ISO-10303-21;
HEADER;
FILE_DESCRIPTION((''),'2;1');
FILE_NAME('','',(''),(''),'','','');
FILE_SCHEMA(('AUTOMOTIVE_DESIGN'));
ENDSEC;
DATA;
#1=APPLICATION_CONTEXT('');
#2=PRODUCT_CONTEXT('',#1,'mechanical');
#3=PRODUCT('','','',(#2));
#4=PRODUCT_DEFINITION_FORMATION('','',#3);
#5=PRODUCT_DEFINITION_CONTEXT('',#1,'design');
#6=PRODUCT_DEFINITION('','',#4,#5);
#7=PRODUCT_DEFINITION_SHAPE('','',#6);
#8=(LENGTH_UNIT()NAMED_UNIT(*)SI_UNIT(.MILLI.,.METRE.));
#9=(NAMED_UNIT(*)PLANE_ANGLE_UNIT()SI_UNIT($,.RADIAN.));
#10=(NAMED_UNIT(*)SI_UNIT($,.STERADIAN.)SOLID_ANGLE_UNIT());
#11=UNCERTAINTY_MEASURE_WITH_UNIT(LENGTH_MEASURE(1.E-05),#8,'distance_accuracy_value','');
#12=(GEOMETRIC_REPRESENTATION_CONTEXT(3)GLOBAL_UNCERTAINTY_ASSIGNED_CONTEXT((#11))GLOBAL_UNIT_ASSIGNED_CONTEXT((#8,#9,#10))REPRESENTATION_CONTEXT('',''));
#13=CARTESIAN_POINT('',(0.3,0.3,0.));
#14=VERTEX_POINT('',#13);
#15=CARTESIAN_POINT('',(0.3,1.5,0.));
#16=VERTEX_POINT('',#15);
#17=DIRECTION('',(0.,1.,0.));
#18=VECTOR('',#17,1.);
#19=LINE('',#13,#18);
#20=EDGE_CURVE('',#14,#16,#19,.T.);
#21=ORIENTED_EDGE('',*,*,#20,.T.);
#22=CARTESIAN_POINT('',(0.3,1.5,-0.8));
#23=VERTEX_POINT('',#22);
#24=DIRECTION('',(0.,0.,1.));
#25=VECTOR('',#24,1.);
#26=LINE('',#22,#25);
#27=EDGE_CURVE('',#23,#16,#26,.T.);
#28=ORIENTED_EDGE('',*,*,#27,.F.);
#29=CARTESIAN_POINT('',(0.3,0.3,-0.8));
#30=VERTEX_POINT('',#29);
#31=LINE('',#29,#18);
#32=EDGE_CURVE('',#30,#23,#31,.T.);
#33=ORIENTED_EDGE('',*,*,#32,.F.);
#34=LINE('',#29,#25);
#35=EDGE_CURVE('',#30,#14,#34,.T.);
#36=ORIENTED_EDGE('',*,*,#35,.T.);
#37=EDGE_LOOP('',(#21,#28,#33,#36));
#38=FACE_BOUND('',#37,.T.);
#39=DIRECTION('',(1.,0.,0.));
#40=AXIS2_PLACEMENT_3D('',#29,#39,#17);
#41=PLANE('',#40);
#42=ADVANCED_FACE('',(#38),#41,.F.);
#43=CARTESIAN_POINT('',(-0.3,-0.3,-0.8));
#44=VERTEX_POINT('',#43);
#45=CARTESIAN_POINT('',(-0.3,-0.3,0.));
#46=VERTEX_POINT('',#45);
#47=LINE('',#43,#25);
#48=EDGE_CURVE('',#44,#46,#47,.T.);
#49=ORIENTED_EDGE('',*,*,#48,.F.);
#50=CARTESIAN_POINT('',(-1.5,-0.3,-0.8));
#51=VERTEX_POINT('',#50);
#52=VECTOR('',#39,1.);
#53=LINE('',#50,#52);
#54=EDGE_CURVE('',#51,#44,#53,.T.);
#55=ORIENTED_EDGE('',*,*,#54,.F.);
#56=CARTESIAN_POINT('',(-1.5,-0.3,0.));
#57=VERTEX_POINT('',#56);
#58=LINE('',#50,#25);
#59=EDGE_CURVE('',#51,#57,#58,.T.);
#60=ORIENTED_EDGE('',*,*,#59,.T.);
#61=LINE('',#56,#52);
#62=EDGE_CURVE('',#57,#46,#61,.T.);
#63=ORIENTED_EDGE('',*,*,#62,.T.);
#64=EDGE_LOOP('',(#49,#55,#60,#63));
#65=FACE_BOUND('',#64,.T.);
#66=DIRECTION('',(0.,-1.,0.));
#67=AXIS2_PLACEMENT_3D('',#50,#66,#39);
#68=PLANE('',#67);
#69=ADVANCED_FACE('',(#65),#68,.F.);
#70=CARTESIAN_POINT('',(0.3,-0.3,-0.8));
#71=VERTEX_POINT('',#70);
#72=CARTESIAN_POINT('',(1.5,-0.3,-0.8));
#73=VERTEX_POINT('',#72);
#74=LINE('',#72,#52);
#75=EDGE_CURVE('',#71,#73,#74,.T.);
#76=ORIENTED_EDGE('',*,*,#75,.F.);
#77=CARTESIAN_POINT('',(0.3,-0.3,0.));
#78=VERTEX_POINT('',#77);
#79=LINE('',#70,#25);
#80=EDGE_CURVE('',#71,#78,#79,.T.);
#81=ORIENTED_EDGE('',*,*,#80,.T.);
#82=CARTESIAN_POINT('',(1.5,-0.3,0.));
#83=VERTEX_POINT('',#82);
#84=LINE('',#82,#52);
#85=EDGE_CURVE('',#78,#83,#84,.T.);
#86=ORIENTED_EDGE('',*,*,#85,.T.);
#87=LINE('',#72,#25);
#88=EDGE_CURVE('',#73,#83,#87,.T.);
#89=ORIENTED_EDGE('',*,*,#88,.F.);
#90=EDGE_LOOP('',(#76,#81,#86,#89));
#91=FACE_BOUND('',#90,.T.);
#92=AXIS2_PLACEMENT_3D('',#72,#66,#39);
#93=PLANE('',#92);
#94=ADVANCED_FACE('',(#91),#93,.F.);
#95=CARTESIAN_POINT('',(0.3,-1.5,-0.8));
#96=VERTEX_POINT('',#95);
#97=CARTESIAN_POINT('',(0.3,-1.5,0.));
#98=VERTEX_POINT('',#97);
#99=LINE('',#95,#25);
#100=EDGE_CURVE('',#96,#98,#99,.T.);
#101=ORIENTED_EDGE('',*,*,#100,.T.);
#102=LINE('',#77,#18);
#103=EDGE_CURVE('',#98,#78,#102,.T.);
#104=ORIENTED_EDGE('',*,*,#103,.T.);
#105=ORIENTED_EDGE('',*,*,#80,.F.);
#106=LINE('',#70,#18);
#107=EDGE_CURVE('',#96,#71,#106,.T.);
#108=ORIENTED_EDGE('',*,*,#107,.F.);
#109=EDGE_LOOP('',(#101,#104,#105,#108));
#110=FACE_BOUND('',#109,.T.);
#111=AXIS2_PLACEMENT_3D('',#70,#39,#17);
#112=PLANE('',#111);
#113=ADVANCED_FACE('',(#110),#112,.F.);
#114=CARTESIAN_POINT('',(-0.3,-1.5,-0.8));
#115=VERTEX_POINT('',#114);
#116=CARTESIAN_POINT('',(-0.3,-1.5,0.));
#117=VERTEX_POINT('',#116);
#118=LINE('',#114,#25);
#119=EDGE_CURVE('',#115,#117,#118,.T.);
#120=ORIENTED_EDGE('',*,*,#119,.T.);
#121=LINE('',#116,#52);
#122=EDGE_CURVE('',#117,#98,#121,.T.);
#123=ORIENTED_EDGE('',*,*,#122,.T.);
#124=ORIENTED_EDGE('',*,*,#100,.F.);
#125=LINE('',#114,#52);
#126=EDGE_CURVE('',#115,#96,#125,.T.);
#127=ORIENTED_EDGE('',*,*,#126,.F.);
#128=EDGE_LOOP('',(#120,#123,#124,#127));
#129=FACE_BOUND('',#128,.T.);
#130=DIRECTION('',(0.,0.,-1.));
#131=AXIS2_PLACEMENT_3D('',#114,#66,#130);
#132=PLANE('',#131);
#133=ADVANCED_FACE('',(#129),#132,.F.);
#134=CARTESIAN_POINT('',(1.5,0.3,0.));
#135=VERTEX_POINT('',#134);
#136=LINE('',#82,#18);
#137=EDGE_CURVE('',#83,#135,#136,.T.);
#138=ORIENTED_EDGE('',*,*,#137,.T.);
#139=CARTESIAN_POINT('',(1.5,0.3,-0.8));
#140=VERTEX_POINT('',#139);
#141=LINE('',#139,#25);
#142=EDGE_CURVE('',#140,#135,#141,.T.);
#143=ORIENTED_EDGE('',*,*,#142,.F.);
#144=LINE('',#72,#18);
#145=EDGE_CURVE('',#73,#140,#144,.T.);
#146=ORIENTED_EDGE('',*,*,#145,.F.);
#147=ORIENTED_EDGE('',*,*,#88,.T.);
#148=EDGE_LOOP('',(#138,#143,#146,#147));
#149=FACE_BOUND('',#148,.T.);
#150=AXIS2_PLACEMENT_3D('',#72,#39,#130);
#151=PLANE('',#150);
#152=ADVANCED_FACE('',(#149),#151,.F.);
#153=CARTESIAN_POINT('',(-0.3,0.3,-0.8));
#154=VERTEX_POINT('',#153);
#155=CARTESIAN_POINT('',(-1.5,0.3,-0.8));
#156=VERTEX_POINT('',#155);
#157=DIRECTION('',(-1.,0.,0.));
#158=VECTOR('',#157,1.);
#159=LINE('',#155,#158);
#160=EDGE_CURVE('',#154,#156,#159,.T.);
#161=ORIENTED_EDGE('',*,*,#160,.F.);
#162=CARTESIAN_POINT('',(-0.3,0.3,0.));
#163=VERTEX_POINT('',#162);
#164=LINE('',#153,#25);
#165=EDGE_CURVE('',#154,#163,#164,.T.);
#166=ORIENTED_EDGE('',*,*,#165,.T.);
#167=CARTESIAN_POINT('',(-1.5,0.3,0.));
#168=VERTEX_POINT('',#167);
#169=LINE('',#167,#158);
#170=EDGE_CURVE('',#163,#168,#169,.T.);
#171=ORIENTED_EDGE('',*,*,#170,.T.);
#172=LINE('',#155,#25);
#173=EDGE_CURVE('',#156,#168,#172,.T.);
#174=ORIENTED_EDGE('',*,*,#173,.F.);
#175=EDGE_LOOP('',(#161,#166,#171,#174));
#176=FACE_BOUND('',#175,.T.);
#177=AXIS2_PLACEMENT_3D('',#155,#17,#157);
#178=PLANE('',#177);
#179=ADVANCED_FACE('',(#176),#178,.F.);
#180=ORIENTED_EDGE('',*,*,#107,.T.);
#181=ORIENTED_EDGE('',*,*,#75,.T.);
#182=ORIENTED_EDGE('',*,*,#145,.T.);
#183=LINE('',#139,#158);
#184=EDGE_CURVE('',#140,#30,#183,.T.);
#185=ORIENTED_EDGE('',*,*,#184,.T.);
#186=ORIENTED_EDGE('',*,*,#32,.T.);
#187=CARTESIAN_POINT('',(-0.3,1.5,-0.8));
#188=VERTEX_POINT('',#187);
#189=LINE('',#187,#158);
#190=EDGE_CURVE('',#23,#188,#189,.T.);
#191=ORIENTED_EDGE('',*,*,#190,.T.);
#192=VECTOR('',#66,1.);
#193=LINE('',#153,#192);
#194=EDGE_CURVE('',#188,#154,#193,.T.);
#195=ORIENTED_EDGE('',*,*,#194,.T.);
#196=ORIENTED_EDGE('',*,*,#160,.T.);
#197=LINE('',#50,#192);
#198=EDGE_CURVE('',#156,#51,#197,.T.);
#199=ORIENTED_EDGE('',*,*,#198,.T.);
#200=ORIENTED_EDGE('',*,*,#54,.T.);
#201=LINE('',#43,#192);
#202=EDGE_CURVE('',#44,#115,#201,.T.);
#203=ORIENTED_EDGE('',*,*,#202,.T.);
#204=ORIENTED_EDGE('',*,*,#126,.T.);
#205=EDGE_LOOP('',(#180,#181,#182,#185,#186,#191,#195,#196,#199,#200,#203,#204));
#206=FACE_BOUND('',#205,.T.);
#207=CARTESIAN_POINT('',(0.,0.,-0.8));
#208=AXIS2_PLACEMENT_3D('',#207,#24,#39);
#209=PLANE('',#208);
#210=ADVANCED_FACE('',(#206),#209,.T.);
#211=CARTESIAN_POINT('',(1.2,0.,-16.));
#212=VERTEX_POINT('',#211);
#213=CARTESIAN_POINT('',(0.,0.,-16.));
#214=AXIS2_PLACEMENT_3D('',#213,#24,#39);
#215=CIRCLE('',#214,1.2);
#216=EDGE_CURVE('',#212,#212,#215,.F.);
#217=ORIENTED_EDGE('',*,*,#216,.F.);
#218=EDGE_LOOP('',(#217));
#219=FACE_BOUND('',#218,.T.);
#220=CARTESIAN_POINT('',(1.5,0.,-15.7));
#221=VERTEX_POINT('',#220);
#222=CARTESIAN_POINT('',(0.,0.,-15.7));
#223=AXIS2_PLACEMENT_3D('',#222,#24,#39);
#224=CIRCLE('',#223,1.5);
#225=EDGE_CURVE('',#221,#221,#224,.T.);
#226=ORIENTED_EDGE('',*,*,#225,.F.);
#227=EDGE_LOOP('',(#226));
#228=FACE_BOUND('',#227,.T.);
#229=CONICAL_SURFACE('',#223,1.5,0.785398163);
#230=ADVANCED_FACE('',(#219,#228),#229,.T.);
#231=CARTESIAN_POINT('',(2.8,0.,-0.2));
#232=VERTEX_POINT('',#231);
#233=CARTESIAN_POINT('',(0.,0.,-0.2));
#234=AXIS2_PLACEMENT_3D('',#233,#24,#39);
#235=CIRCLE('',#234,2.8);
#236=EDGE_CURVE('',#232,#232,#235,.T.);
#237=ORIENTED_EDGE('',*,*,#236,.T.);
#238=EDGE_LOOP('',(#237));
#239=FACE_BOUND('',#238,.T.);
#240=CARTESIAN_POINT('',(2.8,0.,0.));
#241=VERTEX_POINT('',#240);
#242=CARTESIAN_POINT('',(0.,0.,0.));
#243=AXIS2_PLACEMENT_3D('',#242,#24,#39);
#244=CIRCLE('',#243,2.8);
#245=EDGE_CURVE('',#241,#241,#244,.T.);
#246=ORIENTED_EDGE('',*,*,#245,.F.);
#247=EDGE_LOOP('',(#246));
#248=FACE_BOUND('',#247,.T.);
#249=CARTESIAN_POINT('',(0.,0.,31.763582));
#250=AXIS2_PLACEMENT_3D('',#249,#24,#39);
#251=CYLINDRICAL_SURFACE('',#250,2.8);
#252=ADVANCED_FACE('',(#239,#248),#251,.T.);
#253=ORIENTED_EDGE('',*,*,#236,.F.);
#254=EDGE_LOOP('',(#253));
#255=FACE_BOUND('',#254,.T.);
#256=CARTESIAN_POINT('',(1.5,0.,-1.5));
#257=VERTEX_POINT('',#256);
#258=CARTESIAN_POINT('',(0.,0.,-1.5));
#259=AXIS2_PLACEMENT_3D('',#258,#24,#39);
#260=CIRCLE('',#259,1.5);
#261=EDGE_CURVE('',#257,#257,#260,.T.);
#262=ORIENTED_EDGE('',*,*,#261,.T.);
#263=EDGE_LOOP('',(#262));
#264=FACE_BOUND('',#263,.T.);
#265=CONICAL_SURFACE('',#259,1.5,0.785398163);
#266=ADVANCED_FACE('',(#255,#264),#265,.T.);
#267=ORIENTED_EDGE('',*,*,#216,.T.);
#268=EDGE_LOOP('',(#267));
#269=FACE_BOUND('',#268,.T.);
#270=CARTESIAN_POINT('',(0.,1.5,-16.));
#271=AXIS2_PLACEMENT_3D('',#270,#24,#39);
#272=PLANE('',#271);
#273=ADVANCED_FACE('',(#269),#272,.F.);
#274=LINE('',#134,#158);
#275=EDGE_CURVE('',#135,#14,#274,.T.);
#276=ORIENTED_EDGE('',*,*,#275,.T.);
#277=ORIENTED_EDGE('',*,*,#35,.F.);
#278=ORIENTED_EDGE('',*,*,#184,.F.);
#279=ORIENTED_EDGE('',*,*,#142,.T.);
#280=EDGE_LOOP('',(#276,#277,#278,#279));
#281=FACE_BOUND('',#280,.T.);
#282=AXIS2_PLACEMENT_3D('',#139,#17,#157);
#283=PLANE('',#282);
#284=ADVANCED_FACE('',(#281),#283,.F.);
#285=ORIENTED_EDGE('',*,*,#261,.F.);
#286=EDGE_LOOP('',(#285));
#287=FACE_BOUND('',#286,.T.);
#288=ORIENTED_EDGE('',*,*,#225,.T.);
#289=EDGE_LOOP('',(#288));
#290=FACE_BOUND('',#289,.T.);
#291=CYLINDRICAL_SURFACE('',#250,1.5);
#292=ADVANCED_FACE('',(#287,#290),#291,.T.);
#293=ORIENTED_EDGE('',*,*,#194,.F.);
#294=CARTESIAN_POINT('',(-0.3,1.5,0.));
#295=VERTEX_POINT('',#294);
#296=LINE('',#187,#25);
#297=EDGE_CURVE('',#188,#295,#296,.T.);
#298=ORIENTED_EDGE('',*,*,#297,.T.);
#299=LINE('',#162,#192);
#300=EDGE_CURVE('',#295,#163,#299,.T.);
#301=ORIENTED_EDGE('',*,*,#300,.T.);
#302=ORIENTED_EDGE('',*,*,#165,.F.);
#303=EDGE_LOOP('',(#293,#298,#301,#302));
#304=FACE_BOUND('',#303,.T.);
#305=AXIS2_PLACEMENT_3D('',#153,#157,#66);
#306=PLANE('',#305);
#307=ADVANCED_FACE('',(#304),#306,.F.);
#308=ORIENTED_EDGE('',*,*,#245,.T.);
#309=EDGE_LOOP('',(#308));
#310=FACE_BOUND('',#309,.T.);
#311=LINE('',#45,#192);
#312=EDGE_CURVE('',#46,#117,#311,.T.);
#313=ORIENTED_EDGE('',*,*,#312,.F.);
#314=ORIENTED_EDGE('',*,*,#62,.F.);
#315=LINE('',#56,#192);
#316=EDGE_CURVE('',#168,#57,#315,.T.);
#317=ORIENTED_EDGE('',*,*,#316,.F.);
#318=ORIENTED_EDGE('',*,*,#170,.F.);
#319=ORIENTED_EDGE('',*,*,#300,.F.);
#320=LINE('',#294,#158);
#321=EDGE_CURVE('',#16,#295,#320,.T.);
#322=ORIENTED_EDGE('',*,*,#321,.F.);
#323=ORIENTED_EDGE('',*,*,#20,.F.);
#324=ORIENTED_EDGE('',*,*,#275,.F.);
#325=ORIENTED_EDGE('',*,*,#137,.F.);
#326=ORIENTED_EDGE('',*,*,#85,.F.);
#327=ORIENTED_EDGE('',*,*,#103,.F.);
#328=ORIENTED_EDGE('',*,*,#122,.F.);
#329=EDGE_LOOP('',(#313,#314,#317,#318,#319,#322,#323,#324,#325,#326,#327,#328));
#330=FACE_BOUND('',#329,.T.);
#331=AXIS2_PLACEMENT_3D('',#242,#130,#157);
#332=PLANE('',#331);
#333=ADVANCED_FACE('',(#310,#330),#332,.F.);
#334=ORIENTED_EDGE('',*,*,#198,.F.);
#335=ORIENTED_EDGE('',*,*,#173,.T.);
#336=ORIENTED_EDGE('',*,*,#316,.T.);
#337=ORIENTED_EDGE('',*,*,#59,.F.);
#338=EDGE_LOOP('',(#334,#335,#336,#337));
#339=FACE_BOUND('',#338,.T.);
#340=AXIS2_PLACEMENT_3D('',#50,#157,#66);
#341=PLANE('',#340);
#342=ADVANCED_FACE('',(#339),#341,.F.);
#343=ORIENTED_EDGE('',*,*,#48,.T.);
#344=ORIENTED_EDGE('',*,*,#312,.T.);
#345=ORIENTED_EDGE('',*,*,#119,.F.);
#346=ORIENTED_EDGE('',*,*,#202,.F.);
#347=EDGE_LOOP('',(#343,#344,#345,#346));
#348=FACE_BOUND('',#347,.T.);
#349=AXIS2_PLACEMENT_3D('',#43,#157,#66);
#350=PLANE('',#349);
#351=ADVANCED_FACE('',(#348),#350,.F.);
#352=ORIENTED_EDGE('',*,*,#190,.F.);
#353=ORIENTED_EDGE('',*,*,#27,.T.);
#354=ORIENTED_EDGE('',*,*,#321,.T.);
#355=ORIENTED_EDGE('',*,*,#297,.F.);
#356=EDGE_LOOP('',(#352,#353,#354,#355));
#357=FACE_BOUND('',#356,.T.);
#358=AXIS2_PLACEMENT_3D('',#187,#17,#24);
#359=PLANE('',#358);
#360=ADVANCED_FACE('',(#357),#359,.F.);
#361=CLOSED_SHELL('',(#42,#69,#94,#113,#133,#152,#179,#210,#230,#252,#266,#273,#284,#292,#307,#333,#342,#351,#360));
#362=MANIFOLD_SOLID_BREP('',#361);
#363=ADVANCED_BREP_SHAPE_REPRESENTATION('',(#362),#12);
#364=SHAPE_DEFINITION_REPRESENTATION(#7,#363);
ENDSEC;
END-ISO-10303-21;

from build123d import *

# Parameters (mm, degrees)
SCHNITT_LINEAR_AUSTRAGEN1_DEPTH = 0.8
FASE1_SIZE                      = 0.3


with BuildPart() as part:
    # Skizze1 → Rotation1 (revolve)
    with BuildSketch(Plane(origin=(0, 0, 0), x_dir=(0, 0, -1), z_dir=(1, 0, 0))):
        Polygon((0, 0), (0, 2.8), (0.2, 2.8), (1.5, 1.5), (16, 1.5), (16, 0), align=None)
    revolve(axis=Axis((0, 0, 31.763581507), (0, 0, -1)))

    # Skizze3 → Schnitt-Linear austragen1 (cut)
    with BuildSketch(Plane.XY):
        Polygon((-1.5, -0.3), (-1.5, 0.3), (-0.3, 0.3), (-0.3, 1.5), (0.3, 1.5), (0.3, 0.3), (1.5, 0.3), (1.5, -0.3), (0.3, -0.3), (0.3, -1.5), (-0.3, -1.5), (-0.3, -0.3), align=None)
    extrude(amount=-SCHNITT_LINEAR_AUSTRAGEN1_DEPTH, mode=Mode.SUBTRACT)

    # Fase1
    fase1_edges = [part.edges().sort_by_distance(p)[0] for p in [
        (0, -1.5, -16),
    ]]
    chamfer(fase1_edges, length=FASE1_SIZE)


solid = part.part
